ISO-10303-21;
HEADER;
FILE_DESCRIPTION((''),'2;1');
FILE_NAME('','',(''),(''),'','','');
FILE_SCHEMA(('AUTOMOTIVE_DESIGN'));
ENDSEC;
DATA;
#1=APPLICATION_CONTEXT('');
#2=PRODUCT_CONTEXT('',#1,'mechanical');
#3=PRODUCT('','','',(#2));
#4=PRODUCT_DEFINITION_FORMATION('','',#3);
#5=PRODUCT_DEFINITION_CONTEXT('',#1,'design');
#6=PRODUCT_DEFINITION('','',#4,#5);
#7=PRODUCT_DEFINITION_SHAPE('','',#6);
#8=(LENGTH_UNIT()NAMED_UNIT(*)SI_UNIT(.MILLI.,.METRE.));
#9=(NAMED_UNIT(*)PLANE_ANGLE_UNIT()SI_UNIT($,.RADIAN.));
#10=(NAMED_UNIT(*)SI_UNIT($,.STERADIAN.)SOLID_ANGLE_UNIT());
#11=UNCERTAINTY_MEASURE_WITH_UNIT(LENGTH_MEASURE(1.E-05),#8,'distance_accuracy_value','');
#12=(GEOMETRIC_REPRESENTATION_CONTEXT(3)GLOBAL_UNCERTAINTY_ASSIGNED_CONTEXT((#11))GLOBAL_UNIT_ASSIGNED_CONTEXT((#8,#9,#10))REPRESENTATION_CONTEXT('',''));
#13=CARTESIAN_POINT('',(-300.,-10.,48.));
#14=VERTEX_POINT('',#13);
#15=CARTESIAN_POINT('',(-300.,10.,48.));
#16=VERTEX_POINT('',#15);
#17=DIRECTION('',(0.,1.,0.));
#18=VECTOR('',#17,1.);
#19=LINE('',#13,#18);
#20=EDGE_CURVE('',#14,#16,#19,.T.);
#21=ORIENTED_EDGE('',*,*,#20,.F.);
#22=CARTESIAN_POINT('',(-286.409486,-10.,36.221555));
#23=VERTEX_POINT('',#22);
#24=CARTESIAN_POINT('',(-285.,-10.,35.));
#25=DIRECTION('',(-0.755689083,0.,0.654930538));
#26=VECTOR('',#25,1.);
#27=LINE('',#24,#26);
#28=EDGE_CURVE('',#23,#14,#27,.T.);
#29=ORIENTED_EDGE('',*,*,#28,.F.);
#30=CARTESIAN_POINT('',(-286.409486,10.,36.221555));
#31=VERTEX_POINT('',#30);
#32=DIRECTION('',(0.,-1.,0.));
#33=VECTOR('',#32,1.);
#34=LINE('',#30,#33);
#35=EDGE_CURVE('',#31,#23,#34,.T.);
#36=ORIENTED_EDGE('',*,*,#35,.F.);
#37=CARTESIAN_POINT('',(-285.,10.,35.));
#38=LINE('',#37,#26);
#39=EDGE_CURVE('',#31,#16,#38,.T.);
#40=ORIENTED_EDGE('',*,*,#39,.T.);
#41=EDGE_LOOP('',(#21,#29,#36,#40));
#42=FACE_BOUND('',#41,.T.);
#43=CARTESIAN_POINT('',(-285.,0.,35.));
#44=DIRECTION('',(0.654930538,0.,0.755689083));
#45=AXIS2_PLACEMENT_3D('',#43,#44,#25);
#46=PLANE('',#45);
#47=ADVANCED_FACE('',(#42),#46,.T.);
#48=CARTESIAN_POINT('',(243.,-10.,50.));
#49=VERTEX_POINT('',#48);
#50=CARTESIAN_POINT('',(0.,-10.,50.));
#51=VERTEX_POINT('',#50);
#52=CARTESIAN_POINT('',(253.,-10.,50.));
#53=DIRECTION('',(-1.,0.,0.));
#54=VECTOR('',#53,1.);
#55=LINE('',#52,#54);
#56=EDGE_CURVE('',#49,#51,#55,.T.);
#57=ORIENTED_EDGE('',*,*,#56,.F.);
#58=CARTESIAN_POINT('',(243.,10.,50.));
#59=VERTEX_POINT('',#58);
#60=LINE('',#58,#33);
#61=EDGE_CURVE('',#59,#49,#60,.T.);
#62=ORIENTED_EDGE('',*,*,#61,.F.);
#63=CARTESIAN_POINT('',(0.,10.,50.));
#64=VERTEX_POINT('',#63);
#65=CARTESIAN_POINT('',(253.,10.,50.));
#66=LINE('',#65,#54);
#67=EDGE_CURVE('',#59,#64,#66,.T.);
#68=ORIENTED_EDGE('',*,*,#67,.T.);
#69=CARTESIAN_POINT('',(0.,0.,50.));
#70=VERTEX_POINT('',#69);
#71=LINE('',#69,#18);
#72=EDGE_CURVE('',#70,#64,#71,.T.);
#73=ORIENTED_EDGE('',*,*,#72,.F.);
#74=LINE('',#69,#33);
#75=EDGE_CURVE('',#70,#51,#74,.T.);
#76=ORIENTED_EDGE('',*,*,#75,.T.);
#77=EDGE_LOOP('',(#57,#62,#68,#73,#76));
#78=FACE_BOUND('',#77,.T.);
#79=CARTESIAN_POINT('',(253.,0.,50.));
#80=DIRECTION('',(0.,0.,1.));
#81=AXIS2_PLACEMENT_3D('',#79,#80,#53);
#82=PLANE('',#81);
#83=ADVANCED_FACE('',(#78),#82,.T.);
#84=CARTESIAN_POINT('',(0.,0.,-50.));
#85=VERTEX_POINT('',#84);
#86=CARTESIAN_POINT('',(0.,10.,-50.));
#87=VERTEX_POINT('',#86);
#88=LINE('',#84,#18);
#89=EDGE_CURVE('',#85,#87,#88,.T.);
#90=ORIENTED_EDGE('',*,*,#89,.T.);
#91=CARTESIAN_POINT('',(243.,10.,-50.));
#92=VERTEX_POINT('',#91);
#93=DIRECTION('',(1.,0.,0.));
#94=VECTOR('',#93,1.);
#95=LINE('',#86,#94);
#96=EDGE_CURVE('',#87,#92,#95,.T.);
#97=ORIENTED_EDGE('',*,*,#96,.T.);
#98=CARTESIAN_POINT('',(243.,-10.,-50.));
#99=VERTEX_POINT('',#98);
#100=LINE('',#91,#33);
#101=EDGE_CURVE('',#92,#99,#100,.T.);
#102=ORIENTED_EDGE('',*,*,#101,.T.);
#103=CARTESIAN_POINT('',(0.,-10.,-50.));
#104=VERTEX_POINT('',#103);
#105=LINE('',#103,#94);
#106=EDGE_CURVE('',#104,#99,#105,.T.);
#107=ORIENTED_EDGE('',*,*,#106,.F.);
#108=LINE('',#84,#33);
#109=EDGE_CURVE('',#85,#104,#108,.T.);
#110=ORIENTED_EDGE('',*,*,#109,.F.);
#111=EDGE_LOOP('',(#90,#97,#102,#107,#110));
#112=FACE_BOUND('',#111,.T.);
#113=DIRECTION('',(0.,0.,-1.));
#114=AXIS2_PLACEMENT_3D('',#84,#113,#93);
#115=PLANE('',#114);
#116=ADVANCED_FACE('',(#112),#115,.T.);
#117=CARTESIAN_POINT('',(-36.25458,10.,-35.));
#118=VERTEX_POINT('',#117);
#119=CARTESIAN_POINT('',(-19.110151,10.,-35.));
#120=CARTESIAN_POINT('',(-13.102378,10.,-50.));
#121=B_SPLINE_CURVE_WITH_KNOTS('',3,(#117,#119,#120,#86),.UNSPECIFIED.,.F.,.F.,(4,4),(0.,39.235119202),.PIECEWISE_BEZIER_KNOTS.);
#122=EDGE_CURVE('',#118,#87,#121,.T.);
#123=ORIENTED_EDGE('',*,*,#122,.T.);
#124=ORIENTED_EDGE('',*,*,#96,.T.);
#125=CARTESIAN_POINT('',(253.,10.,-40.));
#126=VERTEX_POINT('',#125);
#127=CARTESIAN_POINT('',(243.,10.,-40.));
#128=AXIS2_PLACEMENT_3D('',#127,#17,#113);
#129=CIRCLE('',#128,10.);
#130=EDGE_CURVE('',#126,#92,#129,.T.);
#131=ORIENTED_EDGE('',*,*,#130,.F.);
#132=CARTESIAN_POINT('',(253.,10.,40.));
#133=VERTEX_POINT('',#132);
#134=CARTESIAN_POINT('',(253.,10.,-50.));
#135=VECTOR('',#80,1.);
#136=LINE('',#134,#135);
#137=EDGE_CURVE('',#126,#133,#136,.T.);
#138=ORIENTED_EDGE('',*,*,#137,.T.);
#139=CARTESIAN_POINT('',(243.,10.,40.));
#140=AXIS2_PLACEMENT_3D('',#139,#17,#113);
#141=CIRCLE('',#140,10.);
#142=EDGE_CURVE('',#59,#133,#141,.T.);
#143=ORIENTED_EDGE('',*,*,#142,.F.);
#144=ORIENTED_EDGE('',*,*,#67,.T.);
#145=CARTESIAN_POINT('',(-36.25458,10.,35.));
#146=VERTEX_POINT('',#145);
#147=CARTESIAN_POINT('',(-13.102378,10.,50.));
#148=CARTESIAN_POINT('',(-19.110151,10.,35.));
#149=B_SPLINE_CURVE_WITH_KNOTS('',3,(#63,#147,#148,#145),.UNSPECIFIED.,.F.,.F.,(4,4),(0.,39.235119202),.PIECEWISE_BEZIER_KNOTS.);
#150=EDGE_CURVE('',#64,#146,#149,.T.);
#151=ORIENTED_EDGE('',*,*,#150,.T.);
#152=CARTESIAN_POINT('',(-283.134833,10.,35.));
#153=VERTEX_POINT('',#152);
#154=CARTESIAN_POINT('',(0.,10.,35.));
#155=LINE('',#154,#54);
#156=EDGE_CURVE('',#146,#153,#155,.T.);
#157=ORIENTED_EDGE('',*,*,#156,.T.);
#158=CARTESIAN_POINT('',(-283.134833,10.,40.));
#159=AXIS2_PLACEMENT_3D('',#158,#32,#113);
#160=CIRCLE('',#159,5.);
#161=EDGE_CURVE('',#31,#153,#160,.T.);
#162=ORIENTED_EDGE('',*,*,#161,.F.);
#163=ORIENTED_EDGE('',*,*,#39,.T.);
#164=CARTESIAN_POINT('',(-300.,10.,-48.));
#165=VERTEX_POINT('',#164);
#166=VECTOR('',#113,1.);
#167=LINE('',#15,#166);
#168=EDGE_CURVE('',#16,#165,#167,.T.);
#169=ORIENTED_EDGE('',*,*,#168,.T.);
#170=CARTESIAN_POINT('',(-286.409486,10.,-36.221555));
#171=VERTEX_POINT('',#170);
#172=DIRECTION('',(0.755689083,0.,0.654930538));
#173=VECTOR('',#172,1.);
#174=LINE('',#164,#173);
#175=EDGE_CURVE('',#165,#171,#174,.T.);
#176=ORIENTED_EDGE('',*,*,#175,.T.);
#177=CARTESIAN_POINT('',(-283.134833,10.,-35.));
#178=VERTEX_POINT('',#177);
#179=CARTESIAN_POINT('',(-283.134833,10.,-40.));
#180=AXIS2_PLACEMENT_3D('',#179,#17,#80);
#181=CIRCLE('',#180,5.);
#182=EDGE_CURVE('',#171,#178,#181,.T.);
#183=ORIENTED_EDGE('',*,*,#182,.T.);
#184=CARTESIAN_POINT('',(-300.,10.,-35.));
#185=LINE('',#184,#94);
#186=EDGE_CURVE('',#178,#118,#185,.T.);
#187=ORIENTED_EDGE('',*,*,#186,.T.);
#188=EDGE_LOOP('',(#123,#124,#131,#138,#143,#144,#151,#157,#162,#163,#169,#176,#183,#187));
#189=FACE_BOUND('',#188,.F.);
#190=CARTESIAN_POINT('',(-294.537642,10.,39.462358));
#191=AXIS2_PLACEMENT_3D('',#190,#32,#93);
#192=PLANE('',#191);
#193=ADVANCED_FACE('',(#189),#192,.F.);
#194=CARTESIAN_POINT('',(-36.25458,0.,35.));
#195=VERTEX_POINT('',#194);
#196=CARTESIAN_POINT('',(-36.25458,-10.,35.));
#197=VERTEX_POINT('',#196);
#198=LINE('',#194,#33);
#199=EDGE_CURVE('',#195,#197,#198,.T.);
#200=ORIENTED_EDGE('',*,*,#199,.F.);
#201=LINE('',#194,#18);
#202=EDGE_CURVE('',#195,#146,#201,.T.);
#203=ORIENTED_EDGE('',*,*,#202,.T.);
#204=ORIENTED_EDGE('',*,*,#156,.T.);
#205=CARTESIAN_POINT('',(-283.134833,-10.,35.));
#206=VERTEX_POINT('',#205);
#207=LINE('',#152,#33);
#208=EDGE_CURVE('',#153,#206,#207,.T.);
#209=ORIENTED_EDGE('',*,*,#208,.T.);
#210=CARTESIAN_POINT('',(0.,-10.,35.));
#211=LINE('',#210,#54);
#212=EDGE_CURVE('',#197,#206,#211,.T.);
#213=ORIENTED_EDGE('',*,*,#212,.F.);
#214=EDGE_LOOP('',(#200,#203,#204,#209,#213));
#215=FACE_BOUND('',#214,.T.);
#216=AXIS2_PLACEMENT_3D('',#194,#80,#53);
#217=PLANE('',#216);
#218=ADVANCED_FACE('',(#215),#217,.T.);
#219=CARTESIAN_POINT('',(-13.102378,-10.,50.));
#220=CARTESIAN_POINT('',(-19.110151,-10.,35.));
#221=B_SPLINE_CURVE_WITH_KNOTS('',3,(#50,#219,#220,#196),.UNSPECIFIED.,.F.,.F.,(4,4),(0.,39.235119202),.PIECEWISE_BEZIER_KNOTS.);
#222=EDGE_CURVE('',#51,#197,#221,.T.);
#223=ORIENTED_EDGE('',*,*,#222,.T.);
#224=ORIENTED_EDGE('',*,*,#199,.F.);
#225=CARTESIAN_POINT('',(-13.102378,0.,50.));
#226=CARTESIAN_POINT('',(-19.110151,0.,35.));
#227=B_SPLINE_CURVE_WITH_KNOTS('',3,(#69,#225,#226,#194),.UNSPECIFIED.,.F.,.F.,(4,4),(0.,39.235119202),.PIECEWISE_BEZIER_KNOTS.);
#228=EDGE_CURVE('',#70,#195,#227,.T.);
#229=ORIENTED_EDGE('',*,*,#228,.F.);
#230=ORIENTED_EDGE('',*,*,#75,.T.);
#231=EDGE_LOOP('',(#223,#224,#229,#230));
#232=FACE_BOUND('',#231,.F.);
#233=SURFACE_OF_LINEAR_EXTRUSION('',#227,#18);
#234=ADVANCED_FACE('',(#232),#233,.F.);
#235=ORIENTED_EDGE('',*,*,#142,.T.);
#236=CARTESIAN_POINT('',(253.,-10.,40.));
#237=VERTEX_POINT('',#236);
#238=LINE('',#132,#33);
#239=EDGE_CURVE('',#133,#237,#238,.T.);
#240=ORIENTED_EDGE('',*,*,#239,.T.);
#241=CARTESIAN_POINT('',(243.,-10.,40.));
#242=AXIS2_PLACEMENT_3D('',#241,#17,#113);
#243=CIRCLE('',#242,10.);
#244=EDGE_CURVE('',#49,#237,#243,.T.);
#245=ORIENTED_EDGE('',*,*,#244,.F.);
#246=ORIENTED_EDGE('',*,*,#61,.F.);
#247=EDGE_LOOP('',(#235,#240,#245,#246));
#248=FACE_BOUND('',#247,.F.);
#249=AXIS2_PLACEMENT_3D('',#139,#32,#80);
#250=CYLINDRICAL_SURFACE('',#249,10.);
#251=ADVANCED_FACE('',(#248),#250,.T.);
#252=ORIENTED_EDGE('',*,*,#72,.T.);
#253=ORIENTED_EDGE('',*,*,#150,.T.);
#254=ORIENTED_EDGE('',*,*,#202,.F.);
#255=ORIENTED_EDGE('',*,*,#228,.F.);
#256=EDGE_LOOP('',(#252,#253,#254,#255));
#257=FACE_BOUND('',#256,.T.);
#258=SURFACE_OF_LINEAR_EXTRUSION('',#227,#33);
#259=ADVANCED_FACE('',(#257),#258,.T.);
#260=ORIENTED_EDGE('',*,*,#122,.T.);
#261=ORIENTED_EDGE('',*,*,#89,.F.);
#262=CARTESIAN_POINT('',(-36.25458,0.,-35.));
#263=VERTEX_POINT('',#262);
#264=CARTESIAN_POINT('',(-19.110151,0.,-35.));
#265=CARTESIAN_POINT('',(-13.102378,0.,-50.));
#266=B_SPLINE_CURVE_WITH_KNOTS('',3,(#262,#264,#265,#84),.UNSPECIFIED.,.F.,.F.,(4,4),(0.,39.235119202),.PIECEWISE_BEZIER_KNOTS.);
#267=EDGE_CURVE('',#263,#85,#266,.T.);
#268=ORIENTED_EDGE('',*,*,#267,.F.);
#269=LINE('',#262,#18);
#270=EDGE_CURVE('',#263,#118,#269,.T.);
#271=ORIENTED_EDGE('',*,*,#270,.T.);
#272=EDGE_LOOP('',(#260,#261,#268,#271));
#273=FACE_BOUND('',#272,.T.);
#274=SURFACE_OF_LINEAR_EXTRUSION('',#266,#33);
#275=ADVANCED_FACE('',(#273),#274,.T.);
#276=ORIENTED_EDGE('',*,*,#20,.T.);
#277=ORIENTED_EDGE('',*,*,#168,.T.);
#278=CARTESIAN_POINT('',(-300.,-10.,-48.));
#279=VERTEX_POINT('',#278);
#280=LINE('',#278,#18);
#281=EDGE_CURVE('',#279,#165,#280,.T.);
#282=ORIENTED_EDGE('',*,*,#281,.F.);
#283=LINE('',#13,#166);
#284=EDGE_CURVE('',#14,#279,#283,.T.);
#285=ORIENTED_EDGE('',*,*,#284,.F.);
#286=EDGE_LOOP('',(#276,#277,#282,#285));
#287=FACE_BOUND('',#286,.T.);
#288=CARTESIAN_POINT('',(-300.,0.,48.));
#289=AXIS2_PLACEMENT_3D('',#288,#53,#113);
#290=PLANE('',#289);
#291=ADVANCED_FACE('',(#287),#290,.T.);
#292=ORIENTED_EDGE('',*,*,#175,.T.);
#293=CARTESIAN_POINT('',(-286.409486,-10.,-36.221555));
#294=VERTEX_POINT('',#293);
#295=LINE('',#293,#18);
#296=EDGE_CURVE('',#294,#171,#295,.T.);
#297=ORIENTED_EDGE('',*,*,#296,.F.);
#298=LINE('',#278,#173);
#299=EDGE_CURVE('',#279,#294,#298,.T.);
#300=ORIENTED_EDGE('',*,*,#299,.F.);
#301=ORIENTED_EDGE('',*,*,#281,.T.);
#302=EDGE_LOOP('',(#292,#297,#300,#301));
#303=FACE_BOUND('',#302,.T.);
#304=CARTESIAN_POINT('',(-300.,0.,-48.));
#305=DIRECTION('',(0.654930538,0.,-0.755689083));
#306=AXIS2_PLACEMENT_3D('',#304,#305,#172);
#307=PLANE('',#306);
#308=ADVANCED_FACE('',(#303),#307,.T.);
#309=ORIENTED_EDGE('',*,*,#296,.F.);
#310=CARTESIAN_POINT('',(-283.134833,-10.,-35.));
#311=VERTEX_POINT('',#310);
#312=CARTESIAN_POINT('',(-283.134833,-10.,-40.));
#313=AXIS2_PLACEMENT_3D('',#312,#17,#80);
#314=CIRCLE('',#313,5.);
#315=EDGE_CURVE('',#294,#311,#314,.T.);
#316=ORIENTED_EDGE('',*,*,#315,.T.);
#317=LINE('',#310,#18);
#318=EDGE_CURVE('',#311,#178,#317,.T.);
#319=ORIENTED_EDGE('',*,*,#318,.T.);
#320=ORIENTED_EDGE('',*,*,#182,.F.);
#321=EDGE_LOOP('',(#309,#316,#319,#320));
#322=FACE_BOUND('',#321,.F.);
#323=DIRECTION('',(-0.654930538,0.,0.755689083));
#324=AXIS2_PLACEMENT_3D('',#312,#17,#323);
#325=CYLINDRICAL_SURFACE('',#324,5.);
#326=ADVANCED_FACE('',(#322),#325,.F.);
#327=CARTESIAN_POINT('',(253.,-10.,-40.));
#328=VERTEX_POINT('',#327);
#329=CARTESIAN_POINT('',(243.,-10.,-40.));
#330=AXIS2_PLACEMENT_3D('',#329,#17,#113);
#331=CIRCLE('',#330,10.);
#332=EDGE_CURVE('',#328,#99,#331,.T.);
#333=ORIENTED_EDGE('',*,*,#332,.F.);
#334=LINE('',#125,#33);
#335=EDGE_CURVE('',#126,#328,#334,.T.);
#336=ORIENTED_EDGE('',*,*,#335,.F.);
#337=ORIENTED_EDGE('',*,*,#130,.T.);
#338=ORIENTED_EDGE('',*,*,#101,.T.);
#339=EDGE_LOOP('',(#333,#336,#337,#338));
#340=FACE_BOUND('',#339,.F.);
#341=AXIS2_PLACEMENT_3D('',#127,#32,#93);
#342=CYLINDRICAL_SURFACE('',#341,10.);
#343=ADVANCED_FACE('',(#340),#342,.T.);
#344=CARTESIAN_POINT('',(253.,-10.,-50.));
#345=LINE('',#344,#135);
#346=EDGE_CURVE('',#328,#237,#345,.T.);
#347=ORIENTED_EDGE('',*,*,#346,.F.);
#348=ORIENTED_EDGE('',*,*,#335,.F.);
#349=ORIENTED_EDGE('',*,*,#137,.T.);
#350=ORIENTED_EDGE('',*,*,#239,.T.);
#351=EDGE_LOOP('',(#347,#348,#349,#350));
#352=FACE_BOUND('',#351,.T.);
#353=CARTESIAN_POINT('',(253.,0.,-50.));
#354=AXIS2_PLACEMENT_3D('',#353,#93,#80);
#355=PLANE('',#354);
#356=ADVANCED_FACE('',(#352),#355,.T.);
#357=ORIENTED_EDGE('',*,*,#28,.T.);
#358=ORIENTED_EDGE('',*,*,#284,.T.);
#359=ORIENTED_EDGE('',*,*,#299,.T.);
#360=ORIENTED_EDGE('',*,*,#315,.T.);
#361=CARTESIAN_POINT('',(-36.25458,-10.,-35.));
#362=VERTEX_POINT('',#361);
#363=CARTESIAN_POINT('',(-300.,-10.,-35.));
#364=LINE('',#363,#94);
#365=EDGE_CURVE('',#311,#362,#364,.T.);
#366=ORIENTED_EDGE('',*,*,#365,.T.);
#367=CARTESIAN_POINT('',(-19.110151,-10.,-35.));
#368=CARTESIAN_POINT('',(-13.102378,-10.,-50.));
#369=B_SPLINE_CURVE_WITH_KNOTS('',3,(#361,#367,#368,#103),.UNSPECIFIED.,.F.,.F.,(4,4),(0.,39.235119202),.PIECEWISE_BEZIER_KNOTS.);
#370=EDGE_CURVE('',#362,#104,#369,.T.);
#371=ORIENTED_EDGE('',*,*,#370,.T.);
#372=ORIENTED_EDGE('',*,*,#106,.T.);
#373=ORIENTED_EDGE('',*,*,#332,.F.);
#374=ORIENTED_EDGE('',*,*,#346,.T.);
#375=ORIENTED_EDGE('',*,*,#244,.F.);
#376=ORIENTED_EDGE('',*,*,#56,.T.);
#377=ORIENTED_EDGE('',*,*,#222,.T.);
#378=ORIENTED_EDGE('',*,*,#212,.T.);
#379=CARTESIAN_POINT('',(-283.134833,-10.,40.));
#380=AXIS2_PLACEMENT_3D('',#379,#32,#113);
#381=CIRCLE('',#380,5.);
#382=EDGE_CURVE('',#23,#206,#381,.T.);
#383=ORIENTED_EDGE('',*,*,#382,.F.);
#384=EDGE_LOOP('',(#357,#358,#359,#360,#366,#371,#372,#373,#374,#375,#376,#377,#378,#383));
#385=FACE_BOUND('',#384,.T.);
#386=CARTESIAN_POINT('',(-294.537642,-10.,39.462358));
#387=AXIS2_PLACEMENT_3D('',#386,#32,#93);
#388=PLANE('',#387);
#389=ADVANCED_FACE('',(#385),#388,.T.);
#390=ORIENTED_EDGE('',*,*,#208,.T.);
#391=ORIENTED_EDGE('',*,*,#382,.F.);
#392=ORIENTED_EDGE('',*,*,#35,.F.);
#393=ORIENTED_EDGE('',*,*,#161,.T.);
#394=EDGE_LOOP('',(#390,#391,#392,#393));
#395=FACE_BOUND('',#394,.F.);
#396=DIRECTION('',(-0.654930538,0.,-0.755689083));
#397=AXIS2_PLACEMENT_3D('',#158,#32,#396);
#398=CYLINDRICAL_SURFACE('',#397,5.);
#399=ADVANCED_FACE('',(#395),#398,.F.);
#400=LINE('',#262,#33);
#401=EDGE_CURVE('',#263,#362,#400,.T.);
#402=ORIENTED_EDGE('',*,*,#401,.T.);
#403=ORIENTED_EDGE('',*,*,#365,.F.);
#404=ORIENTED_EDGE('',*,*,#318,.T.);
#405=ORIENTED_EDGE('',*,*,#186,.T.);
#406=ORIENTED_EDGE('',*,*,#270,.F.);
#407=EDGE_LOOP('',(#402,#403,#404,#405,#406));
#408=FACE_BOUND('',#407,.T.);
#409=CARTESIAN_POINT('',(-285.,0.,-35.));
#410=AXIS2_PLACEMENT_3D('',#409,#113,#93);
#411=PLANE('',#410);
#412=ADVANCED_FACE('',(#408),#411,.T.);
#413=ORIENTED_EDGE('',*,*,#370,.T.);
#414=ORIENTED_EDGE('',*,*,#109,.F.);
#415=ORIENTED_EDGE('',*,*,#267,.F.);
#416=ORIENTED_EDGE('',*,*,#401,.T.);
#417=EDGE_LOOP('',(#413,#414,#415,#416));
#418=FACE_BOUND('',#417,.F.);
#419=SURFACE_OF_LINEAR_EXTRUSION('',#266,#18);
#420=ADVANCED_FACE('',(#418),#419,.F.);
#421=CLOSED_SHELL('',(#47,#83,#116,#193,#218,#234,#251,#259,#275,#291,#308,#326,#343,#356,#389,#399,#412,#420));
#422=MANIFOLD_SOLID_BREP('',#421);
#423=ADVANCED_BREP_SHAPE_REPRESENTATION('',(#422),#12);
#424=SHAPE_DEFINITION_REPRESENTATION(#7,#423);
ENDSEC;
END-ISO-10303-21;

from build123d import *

# Parameters (mm, degrees)
F0_W     = 151.5346497297
F0_H     = 70
F1_DEPTH = 10
F2_R     = 10
F3_R     = 5
F4_R     = 5


with BuildPart() as f1:
    # F0 (on Front) → F1 (new body, symmetric)
    with BuildSketch(Plane.XZ):
        Polygon((-300, 48), (-300, 35), (-285, 35), align=None)
        Polygon((-285, 35), (-300, 35), (-300, -35), (-285, -35), (-36.2545801078, -35), (0, -35), (0, 35), (-36.2545801078, 35), align=None)
        Polygon((-285, -35), (-300, -35), (-300, -48), align=None)
        with BuildLine():
            add(Edge.make_bspline(
                [(0, 50), (-13.1023780133, 50), (-19.1101505149, 35), (-36.2545801078, 35)],
                knots=[0, 0, 0, 0, 39.2351192019, 39.2351192019, 39.2351192019, 39.2351192019], degree=3))
            Line((-36.2545801078, 35), (0, 35))
            Line((0, 35), (0, 50))
        make_face()
        Polygon((0, 50), (0, 35), (151.5346497297, 35), (151.5346497297, -35), (0, -35), (0, -50), (253, -50), (253, 50), align=None)
        with BuildLine():
            Line((0, -35), (-36.2545801078, -35))
            add(Edge.make_bspline(
                [(-36.2545801078, -35), (-19.1101505149, -35), (-13.1023780133, -50), (0, -50)],
                knots=[0, 0, 0, 0, 39.2351192019, 39.2351192019, 39.2351192019, 39.2351192019], degree=3))
            Line((0, -50), (0, -35))
        make_face()
        with Locations((75.7673248649, 0)):
            Rectangle(F0_W, F0_H)
    extrude(amount=F1_DEPTH, both=True)

    # F2
    f2_edges = [f1.edges().sort_by_distance(p)[0] for p in [
        (253, 0, 50),
        (253, 0, -50),
    ]]
    fillet(f2_edges, radius=F2_R)

    # F3
    f3_edges = [f1.edges().sort_by_distance(p)[0] for p in [
        (-285, 0, 35),
    ]]
    fillet(f3_edges, radius=F3_R)

    # F4
    f4_edges = [f1.edges().sort_by_distance(p)[0] for p in [
        (-285, 0, -35),
    ]]
    fillet(f4_edges, radius=F4_R)


solid = f1.part
